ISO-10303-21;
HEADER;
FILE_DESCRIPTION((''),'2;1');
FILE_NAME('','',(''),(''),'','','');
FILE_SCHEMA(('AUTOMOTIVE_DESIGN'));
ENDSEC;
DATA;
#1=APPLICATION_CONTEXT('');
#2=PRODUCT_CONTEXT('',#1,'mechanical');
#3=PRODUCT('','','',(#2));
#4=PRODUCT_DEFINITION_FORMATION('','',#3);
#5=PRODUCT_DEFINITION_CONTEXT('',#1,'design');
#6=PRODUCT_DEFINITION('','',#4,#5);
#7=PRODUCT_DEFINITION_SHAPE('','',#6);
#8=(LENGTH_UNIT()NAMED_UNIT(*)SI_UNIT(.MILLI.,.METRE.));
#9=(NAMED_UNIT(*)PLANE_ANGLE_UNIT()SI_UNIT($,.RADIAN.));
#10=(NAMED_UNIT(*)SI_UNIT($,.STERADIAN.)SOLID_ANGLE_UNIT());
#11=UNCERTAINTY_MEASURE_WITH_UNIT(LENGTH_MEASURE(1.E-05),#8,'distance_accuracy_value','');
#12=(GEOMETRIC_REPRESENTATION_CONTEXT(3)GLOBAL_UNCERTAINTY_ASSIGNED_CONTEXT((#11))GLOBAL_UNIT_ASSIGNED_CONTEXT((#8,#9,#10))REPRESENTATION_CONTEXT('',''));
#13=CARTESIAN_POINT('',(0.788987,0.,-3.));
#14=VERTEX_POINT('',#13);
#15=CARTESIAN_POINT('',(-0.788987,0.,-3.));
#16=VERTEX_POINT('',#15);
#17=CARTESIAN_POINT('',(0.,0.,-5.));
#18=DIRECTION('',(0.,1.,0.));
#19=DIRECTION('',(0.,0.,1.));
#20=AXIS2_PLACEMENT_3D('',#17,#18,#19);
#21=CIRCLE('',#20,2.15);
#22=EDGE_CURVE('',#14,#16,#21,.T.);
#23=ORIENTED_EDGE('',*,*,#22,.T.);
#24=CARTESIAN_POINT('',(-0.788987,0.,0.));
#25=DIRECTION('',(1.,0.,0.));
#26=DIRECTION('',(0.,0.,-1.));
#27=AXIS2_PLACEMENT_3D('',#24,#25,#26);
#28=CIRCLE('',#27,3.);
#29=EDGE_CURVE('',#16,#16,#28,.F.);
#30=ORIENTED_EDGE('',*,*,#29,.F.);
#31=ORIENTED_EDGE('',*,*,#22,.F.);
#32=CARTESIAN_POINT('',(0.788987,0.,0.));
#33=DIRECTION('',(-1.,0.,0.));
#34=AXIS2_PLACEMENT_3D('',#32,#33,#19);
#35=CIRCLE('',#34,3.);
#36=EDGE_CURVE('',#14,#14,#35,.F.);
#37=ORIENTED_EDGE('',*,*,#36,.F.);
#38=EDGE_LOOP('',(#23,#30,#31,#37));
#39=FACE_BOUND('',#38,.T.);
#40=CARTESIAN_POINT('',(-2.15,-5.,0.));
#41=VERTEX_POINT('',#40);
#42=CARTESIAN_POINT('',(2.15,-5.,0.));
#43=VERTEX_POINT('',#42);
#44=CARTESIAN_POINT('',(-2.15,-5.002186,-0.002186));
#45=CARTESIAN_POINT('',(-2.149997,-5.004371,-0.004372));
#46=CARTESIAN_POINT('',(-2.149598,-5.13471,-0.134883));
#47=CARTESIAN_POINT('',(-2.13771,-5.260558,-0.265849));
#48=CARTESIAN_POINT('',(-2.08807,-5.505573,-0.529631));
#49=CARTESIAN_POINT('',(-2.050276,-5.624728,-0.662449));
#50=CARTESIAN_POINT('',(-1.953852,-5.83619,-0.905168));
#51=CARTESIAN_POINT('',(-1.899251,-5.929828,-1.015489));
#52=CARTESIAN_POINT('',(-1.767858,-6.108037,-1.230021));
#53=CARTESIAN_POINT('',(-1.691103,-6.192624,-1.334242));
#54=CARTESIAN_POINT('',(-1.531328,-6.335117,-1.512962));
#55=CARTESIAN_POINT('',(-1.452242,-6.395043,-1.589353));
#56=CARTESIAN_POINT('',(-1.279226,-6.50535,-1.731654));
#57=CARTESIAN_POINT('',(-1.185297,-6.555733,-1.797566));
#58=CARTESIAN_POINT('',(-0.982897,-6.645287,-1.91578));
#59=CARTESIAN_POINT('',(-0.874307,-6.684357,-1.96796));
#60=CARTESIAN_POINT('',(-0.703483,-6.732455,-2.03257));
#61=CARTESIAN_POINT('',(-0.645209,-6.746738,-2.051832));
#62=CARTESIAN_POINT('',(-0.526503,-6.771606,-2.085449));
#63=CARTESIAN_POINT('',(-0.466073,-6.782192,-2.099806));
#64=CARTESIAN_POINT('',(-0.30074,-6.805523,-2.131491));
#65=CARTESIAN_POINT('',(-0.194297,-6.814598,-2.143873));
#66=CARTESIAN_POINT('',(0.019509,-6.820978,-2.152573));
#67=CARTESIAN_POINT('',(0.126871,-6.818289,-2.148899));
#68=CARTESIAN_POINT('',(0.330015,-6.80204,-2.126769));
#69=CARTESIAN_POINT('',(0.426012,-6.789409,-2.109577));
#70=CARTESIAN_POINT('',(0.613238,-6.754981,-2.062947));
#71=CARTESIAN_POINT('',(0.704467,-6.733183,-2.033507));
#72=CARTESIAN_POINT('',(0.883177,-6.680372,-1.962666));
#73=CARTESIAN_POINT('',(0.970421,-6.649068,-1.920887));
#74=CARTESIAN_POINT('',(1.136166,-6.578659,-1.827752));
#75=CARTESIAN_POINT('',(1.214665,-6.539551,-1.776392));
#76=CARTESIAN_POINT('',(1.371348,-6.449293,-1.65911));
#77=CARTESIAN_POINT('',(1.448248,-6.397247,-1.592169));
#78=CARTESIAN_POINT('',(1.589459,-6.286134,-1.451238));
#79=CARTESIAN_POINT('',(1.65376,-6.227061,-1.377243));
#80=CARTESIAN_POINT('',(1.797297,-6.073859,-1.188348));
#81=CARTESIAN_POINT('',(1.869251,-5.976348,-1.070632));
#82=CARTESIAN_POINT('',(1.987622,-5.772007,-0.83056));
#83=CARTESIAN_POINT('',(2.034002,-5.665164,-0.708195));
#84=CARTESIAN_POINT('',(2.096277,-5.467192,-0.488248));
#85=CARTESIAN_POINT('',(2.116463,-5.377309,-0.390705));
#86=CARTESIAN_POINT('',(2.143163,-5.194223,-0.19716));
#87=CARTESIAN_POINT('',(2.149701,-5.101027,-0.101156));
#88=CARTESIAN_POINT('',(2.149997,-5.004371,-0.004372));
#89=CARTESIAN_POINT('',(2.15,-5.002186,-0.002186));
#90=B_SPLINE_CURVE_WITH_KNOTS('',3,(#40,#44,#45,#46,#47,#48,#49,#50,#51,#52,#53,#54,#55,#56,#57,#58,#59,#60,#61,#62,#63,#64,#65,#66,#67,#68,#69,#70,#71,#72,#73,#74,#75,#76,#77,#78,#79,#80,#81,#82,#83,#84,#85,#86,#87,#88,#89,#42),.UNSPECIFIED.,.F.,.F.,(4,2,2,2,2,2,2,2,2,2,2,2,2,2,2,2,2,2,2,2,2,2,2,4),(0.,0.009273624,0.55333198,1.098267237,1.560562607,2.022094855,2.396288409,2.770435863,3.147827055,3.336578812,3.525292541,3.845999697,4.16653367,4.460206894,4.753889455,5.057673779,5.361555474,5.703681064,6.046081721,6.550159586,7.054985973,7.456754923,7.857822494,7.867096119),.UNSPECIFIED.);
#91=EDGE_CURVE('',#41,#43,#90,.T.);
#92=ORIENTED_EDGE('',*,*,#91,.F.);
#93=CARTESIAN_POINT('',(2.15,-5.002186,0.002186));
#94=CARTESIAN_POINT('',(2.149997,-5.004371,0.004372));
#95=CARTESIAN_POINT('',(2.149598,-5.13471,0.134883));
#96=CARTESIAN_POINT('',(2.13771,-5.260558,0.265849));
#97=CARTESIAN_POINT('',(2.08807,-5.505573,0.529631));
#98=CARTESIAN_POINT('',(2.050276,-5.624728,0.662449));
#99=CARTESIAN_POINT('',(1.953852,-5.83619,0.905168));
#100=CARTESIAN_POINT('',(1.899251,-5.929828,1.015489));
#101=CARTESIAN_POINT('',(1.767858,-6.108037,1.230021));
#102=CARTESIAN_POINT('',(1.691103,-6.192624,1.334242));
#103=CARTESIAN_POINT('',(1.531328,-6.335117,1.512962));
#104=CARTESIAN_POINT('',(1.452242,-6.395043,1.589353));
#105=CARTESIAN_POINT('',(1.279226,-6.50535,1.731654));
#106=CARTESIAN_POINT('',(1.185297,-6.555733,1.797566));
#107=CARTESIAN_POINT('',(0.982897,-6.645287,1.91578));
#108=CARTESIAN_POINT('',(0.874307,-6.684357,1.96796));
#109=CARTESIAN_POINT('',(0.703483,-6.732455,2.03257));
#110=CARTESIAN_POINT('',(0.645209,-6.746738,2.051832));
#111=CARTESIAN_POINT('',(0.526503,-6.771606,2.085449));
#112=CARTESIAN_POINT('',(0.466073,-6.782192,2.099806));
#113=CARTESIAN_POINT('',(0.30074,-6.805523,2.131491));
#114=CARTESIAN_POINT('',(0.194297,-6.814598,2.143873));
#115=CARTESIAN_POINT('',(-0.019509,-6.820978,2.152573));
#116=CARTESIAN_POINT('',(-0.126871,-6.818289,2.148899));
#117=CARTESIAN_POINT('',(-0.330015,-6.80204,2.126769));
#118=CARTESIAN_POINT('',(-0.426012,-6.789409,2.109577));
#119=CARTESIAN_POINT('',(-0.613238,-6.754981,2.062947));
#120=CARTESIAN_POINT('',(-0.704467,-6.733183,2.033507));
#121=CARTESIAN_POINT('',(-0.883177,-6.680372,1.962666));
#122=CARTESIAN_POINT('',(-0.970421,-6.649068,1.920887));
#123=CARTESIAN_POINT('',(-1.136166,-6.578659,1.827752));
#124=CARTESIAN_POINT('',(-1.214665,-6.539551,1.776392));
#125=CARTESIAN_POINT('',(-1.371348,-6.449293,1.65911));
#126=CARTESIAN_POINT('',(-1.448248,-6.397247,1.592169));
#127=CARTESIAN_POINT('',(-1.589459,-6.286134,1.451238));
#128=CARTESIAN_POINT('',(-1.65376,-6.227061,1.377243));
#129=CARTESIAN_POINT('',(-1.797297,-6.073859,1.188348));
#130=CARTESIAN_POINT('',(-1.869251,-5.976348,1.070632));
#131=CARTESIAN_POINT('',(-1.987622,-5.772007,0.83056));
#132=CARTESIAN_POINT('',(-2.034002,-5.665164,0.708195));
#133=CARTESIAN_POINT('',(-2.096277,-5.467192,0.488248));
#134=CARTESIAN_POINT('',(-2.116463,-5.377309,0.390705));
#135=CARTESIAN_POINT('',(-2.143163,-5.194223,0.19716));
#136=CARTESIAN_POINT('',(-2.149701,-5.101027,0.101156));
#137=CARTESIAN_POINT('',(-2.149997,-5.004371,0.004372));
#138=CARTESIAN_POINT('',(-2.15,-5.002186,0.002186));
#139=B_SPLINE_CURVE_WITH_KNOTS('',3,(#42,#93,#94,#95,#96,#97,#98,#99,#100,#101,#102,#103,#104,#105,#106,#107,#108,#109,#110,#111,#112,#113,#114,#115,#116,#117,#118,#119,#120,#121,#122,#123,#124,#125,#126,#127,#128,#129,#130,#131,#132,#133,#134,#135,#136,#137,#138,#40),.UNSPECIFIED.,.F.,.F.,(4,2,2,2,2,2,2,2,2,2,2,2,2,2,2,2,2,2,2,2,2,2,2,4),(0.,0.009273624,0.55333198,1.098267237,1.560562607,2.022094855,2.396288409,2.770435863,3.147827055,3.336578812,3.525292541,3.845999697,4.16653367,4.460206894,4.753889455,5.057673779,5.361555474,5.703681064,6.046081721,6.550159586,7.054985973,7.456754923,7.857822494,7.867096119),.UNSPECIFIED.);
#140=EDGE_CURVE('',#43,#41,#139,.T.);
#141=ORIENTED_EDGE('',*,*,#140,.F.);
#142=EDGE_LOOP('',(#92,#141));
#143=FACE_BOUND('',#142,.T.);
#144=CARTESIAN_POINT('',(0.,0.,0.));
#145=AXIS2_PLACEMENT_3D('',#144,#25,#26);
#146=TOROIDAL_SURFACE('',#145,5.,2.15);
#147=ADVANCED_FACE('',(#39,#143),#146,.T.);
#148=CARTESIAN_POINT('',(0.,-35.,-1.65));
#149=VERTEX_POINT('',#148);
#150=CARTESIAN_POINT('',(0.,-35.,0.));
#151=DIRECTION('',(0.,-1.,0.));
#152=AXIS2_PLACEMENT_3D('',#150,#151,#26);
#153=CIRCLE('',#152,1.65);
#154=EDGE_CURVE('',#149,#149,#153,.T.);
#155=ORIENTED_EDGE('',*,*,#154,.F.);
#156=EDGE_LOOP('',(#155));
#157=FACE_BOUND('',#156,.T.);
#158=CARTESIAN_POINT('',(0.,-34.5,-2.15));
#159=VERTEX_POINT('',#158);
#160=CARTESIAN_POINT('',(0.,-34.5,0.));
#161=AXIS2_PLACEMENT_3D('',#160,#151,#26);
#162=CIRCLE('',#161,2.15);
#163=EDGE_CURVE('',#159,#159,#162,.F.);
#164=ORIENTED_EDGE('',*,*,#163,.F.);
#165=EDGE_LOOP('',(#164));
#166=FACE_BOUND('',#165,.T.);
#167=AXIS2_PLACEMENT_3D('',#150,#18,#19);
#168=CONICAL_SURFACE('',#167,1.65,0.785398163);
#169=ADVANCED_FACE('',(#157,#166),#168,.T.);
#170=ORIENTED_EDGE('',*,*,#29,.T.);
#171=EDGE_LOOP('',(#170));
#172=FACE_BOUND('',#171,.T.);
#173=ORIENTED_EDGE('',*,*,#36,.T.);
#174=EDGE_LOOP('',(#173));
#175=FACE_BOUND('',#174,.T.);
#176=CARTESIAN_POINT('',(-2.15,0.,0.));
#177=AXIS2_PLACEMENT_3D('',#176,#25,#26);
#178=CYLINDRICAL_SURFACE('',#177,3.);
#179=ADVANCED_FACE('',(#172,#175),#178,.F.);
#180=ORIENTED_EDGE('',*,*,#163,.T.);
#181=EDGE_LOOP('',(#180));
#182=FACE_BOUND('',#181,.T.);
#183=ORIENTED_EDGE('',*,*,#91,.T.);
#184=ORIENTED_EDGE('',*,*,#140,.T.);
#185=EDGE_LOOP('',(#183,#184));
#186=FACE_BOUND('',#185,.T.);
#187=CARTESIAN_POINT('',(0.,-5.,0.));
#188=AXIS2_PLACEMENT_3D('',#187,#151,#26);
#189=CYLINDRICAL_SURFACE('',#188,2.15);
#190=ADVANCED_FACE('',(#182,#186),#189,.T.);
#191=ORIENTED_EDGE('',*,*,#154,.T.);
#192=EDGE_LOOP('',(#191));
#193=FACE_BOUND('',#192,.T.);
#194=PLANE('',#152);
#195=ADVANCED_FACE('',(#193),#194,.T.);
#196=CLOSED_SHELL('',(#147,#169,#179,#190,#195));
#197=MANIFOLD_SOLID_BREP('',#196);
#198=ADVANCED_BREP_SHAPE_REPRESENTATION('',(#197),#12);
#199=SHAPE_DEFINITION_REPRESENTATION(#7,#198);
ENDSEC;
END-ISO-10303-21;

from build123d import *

# Parameters (mm, degrees)
VARREDURA_DA_ARGOLA_PROFILE_R = 2.15
VARREDURA_DO_PINO_PROFILE_R   = 2.15
CHANFRO_DO_PINO_SIZE          = 0.5
CORTE_EXTRUS_O1_DEPTH         = 36.787497843
CORTE_EXTRUS_O1_DEPTH_BACK    = 36.787497843
ESBO_O1_R                     = 3
ESBO_O1_R_2                   = 2.85


with BuildPart() as part:
    # Varredura da Argola: sweep along a path in Argola
    with BuildLine(Plane(origin=(0, 0, 0), x_dir=(0, 0, -1), z_dir=(1, 0, 0))) as varredura_da_argola_path:
        CenterArc((0, 0), 5, 0, 360)
    # Varredura da Argola profile (on start of the path) → Varredura da Argola (sweep)
    with BuildSketch(Plane(origin=(0, 0, -5), x_dir=(0, 0, 1), z_dir=(0, 1, 0))):
        Circle(VARREDURA_DA_ARGOLA_PROFILE_R)
    sweep(path=varredura_da_argola_path.line)

    # Varredura do Pino: sweep along a path in Pino
    with BuildLine(Plane(origin=(0, 0, 0), x_dir=(0, 0, -1), z_dir=(1, 0, 0))) as varredura_do_pino_path:
        Line((0, -5), (0, -35))
    # Varredura do Pino profile (on start of the path) → Varredura do Pino (sweep)
    with BuildSketch(Plane(origin=(0, -5, 0), x_dir=(0, 0, -1), z_dir=(0, -1, 0))):
        Circle(VARREDURA_DO_PINO_PROFILE_R)
    sweep(path=varredura_do_pino_path.line)

    # Chanfro do pino
    chanfro_do_pino_edges = [part.edges().sort_by_distance(p)[0] for p in [
        (0, -35, 2.15),
    ]]
    chamfer(chanfro_do_pino_edges, length=CHANFRO_DO_PINO_SIZE)

    # Esboço1 → Corte-extrusão1 (cut, two sides: drawn at the far end of the back side and taken through both)
    with BuildSketch(Plane(origin=(0, 0, 0), x_dir=(0, 0, -1), z_dir=(1, 0, 0)).offset(-CORTE_EXTRUS_O1_DEPTH_BACK)):
        Circle(ESBO_O1_R)
        Circle(ESBO_O1_R_2, mode=Mode.SUBTRACT)
    extrude(amount=CORTE_EXTRUS_O1_DEPTH + CORTE_EXTRUS_O1_DEPTH_BACK, mode=Mode.SUBTRACT)


solid = part.part
